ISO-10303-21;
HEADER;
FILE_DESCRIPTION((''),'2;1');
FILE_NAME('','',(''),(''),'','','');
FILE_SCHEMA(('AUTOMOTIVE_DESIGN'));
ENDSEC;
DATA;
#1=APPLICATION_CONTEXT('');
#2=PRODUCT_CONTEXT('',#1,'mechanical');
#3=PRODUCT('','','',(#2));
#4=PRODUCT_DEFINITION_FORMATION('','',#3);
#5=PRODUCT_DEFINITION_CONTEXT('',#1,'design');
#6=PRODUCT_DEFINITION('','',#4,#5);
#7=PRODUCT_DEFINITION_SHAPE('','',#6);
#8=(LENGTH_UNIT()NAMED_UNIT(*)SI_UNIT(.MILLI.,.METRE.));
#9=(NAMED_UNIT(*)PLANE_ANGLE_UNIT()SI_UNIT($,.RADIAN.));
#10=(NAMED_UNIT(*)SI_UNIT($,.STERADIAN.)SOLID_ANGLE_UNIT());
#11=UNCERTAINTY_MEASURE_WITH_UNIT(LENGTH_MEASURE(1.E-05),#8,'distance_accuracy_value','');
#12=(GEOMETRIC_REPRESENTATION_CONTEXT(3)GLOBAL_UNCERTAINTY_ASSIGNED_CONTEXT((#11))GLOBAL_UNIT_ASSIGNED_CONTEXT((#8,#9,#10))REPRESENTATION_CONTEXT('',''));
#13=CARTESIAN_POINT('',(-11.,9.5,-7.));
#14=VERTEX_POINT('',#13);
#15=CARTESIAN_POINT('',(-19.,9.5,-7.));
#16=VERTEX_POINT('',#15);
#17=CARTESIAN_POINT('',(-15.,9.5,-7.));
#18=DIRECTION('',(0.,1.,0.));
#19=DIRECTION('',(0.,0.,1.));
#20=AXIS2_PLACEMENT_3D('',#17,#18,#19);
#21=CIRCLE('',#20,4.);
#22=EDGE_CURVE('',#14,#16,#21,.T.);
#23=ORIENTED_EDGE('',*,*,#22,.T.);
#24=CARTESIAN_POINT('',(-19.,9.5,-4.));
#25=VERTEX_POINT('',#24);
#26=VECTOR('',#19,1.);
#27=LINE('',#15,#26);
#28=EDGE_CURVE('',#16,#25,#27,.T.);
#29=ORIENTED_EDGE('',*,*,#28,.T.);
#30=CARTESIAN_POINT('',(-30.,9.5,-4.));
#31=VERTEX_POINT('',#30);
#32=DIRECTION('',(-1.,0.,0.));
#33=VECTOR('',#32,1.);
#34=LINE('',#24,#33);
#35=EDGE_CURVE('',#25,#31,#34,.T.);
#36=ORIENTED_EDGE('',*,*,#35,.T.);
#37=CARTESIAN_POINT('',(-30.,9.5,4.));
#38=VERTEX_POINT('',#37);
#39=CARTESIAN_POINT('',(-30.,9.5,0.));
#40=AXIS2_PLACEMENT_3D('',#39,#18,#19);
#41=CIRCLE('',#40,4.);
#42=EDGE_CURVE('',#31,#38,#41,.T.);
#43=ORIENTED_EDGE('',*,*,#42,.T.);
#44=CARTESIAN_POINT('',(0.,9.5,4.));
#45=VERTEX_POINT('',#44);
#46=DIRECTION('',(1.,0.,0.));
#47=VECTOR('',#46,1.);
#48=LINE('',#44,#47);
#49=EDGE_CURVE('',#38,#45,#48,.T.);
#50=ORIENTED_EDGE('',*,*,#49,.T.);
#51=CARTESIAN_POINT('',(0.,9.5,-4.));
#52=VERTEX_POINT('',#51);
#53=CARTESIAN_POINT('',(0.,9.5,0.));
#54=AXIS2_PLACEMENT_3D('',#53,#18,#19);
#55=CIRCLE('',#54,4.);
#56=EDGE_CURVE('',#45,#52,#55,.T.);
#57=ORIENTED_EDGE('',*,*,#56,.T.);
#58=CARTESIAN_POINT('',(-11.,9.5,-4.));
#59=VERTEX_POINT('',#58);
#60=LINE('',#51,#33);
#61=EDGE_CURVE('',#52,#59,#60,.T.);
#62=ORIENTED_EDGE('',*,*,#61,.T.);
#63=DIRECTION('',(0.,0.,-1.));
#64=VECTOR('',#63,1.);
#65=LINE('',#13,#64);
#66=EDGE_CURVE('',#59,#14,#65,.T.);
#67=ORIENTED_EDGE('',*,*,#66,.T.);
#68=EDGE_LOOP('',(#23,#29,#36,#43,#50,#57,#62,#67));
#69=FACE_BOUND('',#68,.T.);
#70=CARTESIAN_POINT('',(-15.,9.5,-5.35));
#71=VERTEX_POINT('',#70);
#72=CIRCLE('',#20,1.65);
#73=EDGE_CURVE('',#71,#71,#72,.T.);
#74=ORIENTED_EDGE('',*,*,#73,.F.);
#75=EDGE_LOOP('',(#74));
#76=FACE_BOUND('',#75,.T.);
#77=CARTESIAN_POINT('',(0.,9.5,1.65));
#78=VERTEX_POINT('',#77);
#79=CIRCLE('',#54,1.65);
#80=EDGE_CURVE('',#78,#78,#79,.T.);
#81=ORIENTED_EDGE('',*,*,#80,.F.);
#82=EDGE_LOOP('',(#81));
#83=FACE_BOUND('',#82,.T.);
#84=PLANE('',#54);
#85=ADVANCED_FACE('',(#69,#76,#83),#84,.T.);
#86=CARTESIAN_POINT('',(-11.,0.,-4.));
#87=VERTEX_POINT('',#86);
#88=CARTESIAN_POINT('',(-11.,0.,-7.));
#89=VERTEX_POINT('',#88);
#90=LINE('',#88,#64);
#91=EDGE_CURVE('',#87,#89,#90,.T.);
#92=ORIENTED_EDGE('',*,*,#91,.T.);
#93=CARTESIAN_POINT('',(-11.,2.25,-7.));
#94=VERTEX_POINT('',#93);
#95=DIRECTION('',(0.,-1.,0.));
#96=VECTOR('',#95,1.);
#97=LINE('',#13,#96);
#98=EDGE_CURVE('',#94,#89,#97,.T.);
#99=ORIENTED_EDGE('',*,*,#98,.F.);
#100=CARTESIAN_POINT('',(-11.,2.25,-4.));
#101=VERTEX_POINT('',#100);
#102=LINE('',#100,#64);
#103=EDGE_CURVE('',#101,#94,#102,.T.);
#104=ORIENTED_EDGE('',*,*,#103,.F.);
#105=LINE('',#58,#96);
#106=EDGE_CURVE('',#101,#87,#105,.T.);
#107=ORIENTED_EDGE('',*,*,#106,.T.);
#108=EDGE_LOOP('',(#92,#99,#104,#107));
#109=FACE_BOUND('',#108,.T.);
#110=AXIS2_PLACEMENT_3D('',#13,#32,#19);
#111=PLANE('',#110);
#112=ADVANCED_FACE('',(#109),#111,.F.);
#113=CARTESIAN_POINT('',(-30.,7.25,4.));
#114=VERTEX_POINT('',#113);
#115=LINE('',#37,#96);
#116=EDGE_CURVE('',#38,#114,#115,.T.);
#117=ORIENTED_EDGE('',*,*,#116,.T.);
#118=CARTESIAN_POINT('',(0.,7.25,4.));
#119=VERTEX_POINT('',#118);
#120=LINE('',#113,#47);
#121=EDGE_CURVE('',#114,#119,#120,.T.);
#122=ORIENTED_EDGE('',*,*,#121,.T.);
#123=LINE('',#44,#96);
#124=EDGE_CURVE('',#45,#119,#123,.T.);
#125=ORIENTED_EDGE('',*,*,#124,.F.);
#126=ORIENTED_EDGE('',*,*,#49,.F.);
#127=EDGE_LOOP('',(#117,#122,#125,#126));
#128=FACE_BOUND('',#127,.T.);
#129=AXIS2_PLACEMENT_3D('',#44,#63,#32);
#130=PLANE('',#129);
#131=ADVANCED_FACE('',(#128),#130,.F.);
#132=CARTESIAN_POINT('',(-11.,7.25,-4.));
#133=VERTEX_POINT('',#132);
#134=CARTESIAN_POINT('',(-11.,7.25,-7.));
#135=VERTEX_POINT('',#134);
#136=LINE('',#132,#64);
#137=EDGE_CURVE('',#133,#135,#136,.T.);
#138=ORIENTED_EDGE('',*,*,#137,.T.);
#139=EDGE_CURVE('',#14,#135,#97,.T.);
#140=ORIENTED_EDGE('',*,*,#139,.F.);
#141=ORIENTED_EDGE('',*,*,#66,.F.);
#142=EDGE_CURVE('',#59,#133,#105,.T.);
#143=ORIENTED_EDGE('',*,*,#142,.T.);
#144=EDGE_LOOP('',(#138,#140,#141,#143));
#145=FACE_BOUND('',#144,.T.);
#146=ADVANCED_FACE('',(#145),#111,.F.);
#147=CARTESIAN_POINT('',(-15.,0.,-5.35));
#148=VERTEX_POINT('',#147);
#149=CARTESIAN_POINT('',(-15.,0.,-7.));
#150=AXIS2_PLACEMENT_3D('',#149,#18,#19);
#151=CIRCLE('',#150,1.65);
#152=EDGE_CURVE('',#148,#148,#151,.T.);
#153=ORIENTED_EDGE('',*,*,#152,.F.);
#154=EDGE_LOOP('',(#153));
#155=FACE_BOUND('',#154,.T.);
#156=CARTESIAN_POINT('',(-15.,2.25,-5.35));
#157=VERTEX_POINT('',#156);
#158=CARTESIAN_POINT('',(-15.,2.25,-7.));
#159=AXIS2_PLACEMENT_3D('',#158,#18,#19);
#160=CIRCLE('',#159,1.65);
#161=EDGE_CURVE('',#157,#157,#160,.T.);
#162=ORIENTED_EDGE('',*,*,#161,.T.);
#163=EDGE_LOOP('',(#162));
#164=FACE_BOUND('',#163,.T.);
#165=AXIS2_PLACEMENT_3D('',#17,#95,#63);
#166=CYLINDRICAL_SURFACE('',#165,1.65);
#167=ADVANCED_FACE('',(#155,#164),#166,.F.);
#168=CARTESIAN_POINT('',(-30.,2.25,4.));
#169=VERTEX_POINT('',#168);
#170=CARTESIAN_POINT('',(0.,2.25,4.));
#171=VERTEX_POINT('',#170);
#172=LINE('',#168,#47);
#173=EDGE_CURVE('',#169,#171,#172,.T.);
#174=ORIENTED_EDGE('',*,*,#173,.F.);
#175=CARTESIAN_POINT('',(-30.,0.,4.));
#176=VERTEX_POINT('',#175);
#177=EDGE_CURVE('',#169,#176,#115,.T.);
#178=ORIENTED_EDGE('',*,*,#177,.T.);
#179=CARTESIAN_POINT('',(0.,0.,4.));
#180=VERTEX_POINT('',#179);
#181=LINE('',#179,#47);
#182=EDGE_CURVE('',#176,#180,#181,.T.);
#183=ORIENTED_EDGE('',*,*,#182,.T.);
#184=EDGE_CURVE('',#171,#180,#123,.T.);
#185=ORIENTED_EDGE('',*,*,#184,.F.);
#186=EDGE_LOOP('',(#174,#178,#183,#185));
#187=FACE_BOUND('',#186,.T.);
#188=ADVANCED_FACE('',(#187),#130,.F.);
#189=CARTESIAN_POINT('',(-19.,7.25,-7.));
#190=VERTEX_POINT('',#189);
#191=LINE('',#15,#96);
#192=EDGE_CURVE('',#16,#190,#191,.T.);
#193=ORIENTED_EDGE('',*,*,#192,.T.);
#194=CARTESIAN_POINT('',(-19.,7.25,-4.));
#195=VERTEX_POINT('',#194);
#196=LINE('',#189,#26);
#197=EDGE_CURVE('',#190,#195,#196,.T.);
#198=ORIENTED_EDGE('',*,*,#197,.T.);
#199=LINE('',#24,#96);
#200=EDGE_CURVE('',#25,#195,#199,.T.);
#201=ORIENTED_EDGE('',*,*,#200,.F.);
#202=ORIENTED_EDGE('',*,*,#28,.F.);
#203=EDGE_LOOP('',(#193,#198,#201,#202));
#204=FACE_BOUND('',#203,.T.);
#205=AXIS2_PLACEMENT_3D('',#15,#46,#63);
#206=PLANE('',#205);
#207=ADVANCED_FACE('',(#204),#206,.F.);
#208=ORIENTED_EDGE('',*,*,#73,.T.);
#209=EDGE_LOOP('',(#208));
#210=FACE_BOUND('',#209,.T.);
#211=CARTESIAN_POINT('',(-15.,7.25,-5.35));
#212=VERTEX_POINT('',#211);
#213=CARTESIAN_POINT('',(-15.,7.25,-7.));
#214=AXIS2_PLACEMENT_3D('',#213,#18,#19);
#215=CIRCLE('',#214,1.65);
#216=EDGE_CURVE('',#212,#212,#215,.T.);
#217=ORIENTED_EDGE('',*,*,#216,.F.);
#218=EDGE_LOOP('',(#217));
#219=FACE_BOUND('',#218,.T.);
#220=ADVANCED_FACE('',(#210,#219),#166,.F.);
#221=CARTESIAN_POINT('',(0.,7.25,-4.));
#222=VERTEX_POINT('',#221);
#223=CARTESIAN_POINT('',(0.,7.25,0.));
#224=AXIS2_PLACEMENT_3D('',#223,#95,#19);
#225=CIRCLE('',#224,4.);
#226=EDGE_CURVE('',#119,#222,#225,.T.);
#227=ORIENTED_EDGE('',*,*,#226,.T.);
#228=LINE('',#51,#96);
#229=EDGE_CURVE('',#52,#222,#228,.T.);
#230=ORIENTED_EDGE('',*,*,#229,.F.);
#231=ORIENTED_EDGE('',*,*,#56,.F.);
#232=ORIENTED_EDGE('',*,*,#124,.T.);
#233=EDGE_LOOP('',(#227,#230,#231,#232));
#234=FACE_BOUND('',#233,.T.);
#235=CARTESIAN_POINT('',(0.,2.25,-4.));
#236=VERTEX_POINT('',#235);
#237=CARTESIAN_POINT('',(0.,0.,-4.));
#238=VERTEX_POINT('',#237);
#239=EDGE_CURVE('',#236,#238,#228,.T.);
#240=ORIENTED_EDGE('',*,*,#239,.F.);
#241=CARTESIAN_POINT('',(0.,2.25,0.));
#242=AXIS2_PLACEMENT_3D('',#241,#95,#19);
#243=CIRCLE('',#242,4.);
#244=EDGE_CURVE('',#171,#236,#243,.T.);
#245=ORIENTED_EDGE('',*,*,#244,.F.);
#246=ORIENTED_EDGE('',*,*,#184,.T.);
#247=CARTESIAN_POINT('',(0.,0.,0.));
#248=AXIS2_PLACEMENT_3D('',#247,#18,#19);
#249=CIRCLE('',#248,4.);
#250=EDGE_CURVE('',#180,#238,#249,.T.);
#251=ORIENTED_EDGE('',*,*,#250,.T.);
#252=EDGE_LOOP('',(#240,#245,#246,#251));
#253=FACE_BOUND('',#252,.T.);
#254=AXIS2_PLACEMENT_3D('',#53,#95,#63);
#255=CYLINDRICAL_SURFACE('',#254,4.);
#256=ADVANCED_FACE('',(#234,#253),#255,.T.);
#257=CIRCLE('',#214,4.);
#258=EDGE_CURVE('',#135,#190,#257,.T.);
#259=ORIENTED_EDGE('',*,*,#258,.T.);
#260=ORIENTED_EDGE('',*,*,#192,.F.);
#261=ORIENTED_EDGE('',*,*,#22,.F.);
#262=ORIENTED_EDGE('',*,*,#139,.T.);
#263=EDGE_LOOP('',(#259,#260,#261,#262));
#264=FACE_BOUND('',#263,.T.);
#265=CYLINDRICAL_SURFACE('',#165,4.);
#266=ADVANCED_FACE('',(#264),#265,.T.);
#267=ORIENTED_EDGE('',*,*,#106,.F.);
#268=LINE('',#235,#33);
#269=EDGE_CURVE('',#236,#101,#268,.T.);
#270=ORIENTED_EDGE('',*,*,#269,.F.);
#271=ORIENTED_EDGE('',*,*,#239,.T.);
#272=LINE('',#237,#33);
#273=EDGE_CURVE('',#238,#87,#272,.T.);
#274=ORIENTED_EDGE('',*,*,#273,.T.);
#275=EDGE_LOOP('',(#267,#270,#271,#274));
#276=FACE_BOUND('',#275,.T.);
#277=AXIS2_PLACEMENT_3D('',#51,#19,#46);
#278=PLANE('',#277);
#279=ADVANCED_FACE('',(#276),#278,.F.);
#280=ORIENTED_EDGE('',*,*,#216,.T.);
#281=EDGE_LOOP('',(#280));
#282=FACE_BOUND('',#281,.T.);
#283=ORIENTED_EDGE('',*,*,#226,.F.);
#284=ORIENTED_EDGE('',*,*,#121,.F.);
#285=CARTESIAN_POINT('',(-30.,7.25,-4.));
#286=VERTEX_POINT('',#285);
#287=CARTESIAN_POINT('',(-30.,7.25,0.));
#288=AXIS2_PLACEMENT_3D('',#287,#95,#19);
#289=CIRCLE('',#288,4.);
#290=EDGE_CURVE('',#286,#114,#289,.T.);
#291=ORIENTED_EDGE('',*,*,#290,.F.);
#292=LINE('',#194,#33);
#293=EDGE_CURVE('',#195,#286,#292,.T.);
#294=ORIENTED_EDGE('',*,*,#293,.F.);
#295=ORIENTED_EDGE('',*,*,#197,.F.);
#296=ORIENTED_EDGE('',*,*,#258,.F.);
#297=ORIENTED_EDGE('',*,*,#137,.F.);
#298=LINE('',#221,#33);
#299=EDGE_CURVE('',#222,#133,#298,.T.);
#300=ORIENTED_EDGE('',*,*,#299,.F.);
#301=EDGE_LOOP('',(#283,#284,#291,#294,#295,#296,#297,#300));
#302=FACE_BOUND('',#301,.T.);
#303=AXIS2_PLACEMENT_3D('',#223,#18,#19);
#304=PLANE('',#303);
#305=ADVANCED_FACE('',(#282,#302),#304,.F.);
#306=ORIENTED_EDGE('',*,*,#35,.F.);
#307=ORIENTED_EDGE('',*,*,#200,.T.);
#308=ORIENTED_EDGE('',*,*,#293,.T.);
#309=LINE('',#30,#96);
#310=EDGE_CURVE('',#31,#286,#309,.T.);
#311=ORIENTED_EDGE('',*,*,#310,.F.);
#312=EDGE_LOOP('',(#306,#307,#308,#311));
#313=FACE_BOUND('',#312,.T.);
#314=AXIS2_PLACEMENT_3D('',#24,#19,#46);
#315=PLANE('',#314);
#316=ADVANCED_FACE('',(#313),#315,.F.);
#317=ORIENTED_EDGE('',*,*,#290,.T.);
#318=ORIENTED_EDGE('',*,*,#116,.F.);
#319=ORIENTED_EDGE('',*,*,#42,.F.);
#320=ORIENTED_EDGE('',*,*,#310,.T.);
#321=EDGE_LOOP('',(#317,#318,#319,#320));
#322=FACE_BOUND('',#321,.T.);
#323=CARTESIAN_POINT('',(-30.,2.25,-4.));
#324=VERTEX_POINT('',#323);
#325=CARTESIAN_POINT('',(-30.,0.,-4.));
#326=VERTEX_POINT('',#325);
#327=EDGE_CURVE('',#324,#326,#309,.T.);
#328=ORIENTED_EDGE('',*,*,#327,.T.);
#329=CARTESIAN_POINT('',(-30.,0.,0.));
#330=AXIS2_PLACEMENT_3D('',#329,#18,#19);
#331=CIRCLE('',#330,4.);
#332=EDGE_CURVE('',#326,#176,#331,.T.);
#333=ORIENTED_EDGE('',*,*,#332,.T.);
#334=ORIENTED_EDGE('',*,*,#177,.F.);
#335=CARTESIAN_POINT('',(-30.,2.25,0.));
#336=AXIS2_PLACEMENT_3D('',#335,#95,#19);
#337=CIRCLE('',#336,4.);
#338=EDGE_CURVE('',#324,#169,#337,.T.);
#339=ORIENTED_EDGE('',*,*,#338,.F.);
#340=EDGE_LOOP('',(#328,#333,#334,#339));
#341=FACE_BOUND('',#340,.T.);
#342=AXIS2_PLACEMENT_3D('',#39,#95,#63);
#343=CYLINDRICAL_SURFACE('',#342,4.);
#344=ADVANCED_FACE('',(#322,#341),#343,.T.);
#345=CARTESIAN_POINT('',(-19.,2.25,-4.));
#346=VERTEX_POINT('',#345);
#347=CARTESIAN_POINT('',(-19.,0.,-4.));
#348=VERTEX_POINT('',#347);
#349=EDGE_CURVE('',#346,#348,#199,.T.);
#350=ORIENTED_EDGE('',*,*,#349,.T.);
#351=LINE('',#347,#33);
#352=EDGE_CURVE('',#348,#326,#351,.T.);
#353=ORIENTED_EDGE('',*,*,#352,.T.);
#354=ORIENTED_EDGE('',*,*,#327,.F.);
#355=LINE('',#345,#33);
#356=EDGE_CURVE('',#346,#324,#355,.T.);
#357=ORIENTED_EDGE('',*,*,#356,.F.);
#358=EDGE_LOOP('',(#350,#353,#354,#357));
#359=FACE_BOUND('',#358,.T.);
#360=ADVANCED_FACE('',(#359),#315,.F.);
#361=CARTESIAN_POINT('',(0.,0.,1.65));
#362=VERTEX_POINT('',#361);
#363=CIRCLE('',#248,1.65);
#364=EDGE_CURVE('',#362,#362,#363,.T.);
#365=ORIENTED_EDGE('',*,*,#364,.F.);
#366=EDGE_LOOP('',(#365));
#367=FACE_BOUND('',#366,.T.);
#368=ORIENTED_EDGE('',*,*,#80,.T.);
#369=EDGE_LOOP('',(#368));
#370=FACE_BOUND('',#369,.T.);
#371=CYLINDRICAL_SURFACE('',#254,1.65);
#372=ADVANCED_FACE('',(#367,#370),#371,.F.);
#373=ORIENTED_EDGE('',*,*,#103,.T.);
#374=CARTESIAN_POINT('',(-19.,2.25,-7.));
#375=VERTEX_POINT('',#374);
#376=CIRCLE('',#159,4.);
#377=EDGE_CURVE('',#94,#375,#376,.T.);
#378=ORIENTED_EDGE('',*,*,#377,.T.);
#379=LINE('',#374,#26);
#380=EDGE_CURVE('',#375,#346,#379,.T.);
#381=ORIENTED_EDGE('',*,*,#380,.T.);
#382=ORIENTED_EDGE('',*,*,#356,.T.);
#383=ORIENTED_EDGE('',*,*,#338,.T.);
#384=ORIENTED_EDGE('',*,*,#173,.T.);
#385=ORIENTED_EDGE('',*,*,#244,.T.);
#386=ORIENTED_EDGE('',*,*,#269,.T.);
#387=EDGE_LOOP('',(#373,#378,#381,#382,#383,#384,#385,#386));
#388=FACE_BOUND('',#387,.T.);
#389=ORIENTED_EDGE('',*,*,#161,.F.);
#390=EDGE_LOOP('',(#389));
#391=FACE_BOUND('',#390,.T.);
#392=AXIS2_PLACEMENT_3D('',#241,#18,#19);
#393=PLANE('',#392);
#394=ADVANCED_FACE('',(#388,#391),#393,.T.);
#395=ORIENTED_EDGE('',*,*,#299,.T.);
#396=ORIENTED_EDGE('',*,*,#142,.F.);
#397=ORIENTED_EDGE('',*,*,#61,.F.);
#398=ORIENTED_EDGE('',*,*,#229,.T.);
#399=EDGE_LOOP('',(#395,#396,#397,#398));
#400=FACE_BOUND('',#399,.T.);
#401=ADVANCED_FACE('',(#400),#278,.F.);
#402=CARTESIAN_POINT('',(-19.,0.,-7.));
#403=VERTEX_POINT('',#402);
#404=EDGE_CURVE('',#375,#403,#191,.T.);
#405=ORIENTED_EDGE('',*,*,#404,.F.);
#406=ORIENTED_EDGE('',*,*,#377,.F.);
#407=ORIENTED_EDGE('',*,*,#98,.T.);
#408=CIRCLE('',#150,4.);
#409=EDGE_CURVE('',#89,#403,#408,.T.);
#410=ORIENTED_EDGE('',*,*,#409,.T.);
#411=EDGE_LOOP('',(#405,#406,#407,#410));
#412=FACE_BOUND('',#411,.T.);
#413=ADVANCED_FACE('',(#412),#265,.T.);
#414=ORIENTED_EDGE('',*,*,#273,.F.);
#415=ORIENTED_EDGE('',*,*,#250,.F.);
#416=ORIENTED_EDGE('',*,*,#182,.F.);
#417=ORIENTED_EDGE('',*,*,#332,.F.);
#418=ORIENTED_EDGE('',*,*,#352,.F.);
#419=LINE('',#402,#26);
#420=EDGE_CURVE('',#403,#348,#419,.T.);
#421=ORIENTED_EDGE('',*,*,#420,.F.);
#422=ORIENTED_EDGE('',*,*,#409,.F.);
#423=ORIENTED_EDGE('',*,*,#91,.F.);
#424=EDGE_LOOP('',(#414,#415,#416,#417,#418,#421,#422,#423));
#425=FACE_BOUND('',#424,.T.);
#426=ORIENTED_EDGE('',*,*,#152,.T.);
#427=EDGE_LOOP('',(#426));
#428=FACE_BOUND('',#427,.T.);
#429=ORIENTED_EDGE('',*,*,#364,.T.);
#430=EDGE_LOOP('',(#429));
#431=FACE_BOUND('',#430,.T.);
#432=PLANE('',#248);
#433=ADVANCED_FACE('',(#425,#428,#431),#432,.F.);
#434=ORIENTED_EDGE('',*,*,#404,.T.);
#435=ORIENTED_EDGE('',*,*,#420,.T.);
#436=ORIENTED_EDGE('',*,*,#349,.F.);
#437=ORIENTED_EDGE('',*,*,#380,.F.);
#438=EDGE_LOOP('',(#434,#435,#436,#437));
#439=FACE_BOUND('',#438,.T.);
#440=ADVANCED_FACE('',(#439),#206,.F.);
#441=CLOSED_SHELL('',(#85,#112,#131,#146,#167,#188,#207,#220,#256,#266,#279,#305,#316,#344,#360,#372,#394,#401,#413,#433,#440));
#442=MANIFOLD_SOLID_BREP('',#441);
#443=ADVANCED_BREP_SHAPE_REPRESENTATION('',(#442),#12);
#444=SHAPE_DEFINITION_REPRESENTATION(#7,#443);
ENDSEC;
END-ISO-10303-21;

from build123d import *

# Parameters (mm, degrees)
SKETCH1_R               = 1.65
BOSS_EXTRUDE1_DEPTH     = 9.5
CUT_EXTRUDE1_DEPTH      = 2.5
CUT_EXTRUDE1_DEPTH_BACK = 2.5


with BuildPart() as part:
    # Sketch1 → Boss-Extrude1 (new body)
    with BuildSketch(Plane(origin=(0, 0, 0), x_dir=(1, 0, 0), z_dir=(0, 1, 0))):
        with BuildLine():
            Line((0, -4), (-30, -4))
            ThreePointArc((-30, -4), (-34, 0), (-30, 4))
            Line((-30, 4), (-19, 4))
            Line((-19, 4), (-19, 7))
            ThreePointArc((-19, 7), (-15, 11), (-11, 7))
            Line((-11, 7), (-11, 4))
            Line((-11, 4), (0, 4))
            ThreePointArc((0, 4), (4, 0), (0, -4))
        make_face()
        with Locations(Location((0, 0, 0), (0, 0, 270))):
            Circle(SKETCH1_R, mode=Mode.SUBTRACT)
        with Locations(Location((-15, 7, 0), (0, 0, 270))):
            Circle(SKETCH1_R, mode=Mode.SUBTRACT)
    extrude(amount=BOSS_EXTRUDE1_DEPTH)

    # Sketch2 → Cut-Extrude1 (cut, two sides: drawn at the far end of the back side and taken through both)
    with BuildSketch(Plane(origin=(0, 4.75, 0), x_dir=(1, 0, 0), z_dir=(0, 1, 0)).offset(-CUT_EXTRUDE1_DEPTH_BACK)):
        with BuildLine():
            Line((0, 4), (-11, 4))
            Line((-11, 4), (-11, 7))
            ThreePointArc((-11, 7), (-15, 11), (-19, 7))
            Line((-19, 7), (-19, 4))
            Line((-19, 4), (-30, 4))
            ThreePointArc((-30, 4), (-26, 0), (-30, -4))
            Line((-30, -4), (0, -4))
            ThreePointArc((0, -4), (-4, 0), (0, 4))
        make_face()
    extrude(amount=CUT_EXTRUDE1_DEPTH + CUT_EXTRUDE1_DEPTH_BACK, mode=Mode.SUBTRACT)


solid = part.part
